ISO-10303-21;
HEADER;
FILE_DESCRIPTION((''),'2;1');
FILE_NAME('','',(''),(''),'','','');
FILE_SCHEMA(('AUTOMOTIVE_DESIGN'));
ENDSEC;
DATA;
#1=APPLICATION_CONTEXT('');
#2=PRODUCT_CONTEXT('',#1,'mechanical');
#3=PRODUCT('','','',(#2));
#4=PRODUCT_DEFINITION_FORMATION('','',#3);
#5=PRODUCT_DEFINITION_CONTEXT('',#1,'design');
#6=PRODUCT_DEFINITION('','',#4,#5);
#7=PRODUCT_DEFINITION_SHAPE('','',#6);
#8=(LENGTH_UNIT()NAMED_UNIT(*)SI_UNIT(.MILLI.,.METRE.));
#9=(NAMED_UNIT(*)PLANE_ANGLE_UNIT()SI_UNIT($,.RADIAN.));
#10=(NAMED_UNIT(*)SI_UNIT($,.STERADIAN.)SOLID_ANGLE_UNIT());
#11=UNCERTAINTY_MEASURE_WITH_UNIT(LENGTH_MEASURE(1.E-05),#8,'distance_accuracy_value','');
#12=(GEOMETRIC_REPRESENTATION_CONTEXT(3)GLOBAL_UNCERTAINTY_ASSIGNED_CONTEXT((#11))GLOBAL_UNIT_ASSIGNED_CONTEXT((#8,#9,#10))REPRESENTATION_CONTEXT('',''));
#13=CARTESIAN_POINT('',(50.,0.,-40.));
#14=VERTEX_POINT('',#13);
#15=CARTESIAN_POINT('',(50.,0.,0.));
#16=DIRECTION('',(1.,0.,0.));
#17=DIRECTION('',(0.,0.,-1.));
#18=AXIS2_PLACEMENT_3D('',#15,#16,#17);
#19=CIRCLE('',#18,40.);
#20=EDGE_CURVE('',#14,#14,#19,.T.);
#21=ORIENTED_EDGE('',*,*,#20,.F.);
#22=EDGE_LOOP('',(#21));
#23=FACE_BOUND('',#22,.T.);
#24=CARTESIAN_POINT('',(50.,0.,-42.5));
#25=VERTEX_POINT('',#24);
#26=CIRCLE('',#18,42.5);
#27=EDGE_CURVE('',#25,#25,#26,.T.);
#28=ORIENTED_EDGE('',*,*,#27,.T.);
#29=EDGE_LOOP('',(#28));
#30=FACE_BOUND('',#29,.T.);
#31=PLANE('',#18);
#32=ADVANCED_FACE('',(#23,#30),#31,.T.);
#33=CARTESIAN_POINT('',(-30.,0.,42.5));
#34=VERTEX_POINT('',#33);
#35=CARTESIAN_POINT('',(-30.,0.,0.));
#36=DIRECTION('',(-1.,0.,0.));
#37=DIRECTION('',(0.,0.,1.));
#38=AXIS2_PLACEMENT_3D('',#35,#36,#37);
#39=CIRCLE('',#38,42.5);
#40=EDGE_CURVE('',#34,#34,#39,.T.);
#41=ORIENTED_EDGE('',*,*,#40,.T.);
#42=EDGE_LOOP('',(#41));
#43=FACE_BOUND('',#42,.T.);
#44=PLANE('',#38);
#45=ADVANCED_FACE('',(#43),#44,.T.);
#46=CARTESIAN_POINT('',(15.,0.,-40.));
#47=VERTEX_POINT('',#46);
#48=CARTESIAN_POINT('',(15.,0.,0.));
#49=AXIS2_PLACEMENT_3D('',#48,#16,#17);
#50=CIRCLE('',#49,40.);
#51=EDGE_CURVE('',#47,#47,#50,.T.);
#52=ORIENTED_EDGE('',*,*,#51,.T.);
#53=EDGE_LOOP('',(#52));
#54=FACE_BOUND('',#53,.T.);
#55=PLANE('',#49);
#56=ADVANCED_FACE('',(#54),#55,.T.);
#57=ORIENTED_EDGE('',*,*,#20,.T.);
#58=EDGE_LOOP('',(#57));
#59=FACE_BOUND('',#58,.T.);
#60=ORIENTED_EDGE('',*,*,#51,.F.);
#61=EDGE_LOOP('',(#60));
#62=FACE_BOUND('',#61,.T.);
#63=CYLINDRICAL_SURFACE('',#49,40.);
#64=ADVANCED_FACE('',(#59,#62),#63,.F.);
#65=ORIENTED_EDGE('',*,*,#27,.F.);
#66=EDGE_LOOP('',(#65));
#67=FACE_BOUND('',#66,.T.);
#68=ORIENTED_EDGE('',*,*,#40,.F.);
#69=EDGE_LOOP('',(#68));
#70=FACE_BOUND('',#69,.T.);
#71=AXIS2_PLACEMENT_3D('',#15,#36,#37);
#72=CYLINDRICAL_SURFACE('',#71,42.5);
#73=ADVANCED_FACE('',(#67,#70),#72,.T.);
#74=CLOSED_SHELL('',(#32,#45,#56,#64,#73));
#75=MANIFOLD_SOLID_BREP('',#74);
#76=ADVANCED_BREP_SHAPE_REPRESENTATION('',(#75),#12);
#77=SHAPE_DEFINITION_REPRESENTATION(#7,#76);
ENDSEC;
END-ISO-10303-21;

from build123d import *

# Parameters (mm, degrees)
SKETCH1_R           = 42.5
BOSS_EXTRUDE1_DEPTH = 50
SKETCH6_R           = 40
CUT_EXTRUDE6_DEPTH  = 35
SKETCH9_R           = 42.5
CUT_EXTRUDE12_DEPTH = 20


with BuildPart() as part:
    # Sketch1 → Boss-Extrude1 (new body, symmetric)
    with BuildSketch(Plane(origin=(0, 0, 0), x_dir=(0, 0, -1), z_dir=(1, 0, 0))):
        Circle(SKETCH1_R)
    extrude(amount=BOSS_EXTRUDE1_DEPTH, both=True)

    # Sketch6 → Cut-Extrude6 (cut)
    with BuildSketch(Plane(origin=(50, 0, 0), x_dir=(0, 0, -1), z_dir=(1, 0, 0))):
        Circle(SKETCH6_R)
    extrude(amount=-CUT_EXTRUDE6_DEPTH, mode=Mode.SUBTRACT)

    # Sketch9 → Cut-Extrude12 (cut)
    with BuildSketch(Plane.ZY.offset(50)):
        Circle(SKETCH9_R)
    extrude(amount=-CUT_EXTRUDE12_DEPTH, mode=Mode.SUBTRACT)


solid = part.part
